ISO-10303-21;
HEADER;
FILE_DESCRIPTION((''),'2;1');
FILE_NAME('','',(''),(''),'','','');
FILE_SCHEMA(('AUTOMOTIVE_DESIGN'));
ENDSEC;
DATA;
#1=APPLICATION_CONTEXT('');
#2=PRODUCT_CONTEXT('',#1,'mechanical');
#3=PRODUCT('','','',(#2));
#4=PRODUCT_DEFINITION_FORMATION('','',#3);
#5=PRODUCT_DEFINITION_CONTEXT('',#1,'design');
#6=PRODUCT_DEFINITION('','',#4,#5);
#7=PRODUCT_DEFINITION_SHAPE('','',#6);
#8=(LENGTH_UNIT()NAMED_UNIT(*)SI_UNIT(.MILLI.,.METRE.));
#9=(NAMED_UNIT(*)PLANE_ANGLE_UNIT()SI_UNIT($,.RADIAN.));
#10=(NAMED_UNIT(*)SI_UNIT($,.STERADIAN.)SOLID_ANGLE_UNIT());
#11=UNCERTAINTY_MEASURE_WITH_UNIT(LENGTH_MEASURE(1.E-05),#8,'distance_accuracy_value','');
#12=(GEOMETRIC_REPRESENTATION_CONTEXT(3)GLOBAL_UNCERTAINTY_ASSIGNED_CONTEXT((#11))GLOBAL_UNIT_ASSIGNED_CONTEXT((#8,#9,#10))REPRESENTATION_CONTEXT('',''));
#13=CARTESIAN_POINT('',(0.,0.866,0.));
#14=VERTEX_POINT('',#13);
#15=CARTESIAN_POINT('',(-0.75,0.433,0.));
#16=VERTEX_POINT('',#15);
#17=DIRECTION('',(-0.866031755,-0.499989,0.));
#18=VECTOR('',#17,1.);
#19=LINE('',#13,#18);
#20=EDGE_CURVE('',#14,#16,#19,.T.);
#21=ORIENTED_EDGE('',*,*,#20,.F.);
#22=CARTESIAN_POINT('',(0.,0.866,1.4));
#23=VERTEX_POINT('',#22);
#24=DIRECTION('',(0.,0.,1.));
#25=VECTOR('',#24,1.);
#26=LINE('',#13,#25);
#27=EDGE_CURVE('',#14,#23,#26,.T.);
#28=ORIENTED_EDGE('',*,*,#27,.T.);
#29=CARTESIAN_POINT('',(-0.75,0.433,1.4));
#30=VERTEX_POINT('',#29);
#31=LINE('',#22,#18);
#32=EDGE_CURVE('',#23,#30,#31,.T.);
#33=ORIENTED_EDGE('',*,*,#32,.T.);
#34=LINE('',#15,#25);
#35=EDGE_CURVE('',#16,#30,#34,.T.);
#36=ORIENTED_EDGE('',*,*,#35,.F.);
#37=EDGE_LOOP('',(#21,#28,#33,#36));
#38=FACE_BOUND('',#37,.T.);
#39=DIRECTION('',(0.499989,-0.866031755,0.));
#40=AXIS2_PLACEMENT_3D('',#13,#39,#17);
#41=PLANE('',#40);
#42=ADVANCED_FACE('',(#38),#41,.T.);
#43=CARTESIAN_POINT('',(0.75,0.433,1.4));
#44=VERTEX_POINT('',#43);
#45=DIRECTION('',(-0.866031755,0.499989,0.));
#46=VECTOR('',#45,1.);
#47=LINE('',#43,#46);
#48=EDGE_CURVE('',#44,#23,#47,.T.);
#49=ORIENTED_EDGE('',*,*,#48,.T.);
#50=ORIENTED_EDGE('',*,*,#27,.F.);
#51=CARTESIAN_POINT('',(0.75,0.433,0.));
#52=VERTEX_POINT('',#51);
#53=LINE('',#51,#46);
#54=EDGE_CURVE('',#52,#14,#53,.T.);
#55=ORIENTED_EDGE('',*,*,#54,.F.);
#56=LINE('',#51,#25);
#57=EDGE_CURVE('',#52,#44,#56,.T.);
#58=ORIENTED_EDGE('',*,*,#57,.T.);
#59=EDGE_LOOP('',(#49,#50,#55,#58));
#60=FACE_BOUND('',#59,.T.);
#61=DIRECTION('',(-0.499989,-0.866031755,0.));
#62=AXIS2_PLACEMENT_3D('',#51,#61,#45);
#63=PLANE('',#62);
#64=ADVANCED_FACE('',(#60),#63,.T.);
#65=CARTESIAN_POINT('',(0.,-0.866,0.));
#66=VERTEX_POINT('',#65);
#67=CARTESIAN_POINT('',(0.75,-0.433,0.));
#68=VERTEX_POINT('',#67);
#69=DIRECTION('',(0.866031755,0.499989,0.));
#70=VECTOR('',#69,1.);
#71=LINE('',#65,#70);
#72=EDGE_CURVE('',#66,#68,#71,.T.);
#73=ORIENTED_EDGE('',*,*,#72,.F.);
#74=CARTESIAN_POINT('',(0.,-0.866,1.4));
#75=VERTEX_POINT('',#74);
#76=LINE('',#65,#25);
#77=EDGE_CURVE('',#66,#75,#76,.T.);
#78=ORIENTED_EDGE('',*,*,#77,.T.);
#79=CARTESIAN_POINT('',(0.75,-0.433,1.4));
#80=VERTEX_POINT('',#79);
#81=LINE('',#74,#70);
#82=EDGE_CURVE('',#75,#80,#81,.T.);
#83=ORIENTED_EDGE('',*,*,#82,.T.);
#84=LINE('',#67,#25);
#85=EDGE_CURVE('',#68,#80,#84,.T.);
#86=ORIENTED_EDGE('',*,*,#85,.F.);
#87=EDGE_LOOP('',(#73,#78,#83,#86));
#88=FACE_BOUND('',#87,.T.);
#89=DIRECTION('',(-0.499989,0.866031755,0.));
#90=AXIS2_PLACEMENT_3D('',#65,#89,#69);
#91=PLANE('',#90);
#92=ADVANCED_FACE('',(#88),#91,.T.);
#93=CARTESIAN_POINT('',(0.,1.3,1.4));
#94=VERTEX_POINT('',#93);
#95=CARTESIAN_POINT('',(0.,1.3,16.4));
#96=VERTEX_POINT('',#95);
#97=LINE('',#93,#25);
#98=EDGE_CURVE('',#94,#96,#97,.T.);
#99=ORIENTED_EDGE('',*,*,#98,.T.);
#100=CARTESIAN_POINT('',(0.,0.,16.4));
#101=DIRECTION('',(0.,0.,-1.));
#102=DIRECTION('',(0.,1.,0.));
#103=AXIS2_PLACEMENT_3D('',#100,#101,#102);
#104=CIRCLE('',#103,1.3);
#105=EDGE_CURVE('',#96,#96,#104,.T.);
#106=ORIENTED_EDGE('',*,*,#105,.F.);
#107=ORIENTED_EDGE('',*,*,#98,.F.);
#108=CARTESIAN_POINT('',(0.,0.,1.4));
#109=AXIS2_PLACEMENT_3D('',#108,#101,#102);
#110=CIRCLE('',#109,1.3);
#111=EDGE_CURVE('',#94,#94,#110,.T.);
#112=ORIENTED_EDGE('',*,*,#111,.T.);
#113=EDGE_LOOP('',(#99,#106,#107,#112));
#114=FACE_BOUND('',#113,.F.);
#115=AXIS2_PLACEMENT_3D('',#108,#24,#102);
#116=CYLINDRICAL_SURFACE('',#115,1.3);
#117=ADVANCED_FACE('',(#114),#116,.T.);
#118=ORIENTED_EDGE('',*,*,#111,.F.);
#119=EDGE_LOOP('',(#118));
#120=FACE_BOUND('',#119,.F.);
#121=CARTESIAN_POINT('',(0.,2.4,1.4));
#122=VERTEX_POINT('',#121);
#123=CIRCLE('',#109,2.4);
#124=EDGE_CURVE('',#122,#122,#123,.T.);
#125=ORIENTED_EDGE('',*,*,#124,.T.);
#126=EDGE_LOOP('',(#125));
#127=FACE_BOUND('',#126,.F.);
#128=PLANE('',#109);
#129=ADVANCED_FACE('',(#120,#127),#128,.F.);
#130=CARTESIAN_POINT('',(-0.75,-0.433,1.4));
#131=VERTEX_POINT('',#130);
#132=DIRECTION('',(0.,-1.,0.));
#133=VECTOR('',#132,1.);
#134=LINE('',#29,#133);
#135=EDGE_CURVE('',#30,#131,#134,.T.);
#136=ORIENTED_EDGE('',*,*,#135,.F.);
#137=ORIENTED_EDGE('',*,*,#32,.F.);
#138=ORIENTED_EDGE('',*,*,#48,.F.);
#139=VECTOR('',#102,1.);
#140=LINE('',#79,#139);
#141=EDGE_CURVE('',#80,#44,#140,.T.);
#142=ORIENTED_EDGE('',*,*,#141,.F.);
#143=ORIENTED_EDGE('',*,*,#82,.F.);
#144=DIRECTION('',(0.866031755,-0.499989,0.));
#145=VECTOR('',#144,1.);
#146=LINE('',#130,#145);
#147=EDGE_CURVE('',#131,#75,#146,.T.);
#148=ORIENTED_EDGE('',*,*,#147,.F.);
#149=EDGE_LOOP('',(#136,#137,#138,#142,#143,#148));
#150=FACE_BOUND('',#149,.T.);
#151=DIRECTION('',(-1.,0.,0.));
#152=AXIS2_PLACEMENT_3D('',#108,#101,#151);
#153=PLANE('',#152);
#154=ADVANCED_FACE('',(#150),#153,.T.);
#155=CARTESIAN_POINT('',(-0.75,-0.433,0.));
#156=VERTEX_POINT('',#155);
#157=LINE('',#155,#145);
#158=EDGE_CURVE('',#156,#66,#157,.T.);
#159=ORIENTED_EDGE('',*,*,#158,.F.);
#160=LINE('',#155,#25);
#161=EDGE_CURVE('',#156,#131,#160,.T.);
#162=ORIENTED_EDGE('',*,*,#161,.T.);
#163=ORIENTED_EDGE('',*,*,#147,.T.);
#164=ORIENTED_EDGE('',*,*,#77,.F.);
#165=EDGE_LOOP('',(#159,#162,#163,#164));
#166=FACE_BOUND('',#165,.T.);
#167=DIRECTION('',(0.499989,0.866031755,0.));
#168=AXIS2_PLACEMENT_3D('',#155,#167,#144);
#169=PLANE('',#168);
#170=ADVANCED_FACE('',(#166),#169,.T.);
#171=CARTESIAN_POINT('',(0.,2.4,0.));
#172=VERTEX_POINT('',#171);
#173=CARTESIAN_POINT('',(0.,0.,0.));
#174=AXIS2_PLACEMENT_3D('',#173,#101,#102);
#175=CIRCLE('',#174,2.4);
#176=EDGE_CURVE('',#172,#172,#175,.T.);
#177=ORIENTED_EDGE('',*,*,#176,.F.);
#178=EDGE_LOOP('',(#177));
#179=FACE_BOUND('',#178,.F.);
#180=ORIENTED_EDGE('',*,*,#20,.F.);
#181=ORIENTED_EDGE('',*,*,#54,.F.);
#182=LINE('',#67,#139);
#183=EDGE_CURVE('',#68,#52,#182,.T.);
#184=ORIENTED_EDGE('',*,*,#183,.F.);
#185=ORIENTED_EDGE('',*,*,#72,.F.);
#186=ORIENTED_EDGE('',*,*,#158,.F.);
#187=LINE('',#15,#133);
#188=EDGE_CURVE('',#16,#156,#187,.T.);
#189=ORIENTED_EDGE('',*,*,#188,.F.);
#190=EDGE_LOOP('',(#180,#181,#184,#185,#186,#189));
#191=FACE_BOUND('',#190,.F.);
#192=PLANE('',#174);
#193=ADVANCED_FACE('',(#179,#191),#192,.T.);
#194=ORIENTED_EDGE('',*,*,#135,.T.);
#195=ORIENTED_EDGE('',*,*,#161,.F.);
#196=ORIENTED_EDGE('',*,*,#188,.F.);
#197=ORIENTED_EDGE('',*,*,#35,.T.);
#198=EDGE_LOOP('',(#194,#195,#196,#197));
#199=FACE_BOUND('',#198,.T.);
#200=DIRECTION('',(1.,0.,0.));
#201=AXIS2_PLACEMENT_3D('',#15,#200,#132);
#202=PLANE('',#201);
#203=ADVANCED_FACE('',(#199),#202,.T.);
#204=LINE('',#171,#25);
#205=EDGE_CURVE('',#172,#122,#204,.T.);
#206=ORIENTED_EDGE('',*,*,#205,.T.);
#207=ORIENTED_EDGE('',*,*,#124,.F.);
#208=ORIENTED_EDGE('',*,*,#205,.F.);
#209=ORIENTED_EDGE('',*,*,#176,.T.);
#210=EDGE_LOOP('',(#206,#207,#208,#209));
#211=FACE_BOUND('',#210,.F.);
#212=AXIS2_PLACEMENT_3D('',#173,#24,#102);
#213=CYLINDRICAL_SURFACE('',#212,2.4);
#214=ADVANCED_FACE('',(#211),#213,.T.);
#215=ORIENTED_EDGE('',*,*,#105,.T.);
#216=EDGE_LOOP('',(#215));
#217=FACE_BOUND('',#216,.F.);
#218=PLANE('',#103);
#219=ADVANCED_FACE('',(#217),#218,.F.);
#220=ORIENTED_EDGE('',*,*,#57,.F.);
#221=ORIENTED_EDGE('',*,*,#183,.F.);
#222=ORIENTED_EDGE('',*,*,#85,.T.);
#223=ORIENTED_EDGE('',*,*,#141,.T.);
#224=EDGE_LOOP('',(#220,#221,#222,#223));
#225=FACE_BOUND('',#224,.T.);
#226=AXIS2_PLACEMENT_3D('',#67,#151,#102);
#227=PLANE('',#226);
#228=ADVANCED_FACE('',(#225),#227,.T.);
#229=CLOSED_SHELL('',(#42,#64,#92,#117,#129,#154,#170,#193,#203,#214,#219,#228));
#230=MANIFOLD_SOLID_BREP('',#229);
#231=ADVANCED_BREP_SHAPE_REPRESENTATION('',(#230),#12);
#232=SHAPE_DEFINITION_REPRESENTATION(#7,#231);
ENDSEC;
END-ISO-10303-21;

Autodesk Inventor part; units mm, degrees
ref_plane "YZ Plane" through (0, 0, 0) normal (1, 0, 0) x (0, 1, 0)
ref_plane "XZ Plane" through (0, 0, 0) normal (0, 1, 0) x (-1, 0, 0)
ref_plane "XY Plane" through (0, 0, 0) normal (0, 0, 1) x (1, 0, 0)
sketch "スケッチ1" plane through (0, 0, 0) normal (1, 0, 0) x (0, 1, 0)
  line L0 (0, 16.4) -> (0, 0)
  line L1 (0, 0) -> (2.4, 0)
  line L2 (2.4, 0) -> (2.4, 1.4)
  line L3 (2.4, 1.4) -> (1.3, 1.4)
  line L4 (1.3, 1.4) -> (1.3, 16.4)
  line L5 (1.3, 16.4) -> (0, 16.4)
  dimension "d1" = 1.3
  dimension "d2" = 1.4
  dimension "d3" = 2.4
  dimension "d10" = 15
revolve "回転1" add sketch "スケッチ1" angle 360 about axis through (0, 0, 16.4) along (0, 0, -1)
thread "ねじ1" size "M2.6x0.45" class "6g" standard "ANSI Metric M Profile" full length
sketch "スケッチ2" plane through (0, 0, 0) normal (0, 0, -1) x (-1, 0, 0)
  line L0 (0, 0.866) -> (0.75, 0.433)
  line L1 (0.75, 0.433) -> (0.75, -0.433)
  line L2 (0.75, -0.433) -> (0, -0.866)
  line L3 (0, -0.866) -> (-0.75, -0.433)
  line L4 (-0.75, -0.433) -> (-0.75, 0.433)
  line L5 (-0.75, 0.433) -> (0, 0.866)
  line L6 (0, 2.4) -> (0, -2.4) construction
  circle A0 centre (0, 0) radius 2.4 projected
  point P0 (0, 0)
  point P1 (0, 0)
  dimension "d7" = 1.5
extrude "押し出し1" cut sketch "スケッチ2" against normal blind 1.4 contours L0 L1 L2 L3 L4 L5
properties part number "M2_6-15" material "チタン"
